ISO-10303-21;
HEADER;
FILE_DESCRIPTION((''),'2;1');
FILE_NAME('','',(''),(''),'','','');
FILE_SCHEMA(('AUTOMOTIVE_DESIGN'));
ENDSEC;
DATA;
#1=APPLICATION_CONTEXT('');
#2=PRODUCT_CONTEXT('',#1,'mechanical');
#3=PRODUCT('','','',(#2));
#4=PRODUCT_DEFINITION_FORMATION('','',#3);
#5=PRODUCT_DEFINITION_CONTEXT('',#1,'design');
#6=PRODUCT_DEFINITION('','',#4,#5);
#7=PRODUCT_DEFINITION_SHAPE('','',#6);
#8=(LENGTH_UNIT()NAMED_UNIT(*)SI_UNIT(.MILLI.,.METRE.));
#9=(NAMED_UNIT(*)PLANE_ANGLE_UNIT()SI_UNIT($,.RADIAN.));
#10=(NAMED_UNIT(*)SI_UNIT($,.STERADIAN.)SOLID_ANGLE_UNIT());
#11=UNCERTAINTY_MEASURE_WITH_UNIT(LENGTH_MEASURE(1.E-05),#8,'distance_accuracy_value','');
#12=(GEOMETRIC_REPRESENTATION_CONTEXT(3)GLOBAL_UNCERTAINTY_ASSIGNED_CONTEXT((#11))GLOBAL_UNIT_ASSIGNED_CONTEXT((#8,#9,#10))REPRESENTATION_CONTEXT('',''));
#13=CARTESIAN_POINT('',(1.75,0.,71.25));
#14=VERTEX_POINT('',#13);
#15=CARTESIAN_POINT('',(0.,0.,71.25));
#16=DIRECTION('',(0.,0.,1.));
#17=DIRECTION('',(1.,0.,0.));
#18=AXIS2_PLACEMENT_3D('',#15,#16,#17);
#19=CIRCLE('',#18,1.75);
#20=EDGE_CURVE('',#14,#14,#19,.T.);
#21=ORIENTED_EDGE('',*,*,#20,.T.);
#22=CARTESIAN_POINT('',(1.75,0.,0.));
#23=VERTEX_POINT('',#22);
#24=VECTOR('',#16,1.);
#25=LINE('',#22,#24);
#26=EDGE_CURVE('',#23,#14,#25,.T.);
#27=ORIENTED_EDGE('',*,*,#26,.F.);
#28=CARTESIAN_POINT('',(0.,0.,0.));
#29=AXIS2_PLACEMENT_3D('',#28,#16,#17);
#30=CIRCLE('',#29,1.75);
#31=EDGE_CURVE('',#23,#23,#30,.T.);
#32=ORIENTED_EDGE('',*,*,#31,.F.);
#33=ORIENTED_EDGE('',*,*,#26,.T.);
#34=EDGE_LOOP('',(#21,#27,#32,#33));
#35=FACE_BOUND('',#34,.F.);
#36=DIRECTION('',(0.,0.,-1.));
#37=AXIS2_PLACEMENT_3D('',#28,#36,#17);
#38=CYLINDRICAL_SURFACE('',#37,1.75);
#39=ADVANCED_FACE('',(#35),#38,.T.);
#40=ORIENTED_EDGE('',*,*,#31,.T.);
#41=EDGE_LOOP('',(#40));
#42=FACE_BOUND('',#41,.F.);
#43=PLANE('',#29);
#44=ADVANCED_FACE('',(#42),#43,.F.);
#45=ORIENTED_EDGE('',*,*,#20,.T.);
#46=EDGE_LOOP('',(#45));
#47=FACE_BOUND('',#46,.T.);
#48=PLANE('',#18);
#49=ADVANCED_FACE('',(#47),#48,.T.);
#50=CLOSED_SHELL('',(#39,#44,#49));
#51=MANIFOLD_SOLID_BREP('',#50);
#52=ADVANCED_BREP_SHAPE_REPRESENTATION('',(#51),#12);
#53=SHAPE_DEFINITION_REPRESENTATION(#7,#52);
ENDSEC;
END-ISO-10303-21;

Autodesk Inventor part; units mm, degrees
ref_plane "YZ Plane" through (0, 0, 0) normal (1, 0, 0) x (0, 1, 0)
ref_plane "XZ Plane" through (0, 0, 0) normal (0, 1, 0) x (-1, 0, 0)
ref_plane "XY Plane" through (0, 0, 0) normal (0, 0, 1) x (1, 0, 0)
sketch "Sketch1" plane through (0, 0, 0) normal (0, 0, 1) x (1, 0, 0)
  circle A0 centre (0, 0) radius 1.75
  dimension "d0" = 3.5
extrude "Extrusion1" add sketch "Sketch1" along normal blind 71.25
properties part number "Cylindrical Pin"
